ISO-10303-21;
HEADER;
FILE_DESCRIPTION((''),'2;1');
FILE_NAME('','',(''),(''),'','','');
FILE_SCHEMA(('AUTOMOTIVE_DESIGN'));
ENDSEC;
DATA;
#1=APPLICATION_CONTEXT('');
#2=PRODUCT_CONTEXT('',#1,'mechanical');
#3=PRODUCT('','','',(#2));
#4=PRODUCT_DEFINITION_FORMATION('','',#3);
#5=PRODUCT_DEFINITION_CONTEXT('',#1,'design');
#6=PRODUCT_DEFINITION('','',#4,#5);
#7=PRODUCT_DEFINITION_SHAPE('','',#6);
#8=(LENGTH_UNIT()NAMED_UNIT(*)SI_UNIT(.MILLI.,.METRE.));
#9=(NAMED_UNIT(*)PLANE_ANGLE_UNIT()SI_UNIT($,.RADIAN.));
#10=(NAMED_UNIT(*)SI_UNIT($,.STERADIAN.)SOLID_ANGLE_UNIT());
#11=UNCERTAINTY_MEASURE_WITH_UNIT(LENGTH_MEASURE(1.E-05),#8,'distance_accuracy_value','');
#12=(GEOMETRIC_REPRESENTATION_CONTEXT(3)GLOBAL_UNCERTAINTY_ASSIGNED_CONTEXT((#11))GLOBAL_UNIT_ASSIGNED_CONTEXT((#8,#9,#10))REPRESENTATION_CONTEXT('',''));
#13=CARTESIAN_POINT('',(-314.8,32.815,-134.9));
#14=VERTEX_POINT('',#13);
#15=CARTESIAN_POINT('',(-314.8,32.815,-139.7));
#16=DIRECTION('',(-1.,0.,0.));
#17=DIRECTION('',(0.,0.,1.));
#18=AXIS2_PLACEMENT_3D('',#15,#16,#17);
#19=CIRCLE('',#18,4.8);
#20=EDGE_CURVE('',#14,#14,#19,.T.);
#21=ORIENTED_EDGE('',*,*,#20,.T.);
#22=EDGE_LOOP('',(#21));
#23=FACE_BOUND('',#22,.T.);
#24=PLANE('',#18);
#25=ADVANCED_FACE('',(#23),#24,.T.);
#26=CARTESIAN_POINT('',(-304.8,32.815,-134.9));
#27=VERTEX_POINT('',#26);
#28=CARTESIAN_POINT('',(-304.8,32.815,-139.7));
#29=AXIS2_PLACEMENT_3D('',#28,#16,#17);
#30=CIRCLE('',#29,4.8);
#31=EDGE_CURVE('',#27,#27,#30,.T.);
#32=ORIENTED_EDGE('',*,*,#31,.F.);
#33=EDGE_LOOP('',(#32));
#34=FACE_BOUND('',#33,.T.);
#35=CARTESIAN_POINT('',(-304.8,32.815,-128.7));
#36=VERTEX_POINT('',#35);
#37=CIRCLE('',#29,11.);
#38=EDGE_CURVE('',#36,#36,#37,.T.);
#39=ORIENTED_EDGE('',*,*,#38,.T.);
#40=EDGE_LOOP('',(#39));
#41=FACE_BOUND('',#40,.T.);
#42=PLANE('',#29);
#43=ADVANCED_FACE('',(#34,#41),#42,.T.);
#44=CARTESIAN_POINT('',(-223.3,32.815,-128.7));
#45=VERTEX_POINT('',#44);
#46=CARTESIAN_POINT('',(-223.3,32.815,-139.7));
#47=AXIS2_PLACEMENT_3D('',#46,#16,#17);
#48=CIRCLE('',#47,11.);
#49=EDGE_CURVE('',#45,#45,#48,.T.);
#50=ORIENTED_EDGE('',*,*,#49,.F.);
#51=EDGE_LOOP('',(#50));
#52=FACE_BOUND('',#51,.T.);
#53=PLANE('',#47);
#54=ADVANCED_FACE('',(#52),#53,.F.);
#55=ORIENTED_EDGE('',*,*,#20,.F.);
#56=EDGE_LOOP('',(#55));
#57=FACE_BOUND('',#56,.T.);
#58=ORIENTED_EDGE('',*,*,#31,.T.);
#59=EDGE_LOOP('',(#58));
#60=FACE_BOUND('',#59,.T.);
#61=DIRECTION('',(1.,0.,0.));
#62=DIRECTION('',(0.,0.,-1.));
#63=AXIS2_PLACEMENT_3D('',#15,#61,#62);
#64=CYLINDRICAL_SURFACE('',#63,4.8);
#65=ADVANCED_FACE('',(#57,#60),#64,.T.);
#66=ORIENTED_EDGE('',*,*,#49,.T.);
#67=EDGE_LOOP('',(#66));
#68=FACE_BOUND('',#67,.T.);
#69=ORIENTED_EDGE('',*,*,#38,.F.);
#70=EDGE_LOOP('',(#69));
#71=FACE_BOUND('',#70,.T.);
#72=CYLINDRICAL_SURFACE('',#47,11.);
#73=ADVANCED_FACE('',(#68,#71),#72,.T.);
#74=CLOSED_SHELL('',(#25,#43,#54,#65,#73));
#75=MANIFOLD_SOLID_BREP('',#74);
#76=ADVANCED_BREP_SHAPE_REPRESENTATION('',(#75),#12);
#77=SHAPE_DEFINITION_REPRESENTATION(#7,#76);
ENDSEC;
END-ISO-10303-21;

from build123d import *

# Parameters (mm, degrees)
SKETCH1_R           = 11
BOSS_EXTRUDE1_DEPTH = 81.5
SKETCH2_R           = 4.8
BOSS_EXTRUDE2_DEPTH = 10


with BuildPart() as part:
    # Sketch1 → Boss-Extrude1 (new body)
    with BuildSketch(Plane.ZY.offset(304.8)):
        with Locations((-139.7, 32.815)):
            Circle(SKETCH1_R)
    extrude(amount=-BOSS_EXTRUDE1_DEPTH)

    # Sketch2 → Boss-Extrude2 (add)
    with BuildSketch(Plane.ZY.offset(304.8)):
        with Locations((-139.7, 32.815)):
            Circle(SKETCH2_R)
    extrude(amount=BOSS_EXTRUDE2_DEPTH)


solid = part.part
